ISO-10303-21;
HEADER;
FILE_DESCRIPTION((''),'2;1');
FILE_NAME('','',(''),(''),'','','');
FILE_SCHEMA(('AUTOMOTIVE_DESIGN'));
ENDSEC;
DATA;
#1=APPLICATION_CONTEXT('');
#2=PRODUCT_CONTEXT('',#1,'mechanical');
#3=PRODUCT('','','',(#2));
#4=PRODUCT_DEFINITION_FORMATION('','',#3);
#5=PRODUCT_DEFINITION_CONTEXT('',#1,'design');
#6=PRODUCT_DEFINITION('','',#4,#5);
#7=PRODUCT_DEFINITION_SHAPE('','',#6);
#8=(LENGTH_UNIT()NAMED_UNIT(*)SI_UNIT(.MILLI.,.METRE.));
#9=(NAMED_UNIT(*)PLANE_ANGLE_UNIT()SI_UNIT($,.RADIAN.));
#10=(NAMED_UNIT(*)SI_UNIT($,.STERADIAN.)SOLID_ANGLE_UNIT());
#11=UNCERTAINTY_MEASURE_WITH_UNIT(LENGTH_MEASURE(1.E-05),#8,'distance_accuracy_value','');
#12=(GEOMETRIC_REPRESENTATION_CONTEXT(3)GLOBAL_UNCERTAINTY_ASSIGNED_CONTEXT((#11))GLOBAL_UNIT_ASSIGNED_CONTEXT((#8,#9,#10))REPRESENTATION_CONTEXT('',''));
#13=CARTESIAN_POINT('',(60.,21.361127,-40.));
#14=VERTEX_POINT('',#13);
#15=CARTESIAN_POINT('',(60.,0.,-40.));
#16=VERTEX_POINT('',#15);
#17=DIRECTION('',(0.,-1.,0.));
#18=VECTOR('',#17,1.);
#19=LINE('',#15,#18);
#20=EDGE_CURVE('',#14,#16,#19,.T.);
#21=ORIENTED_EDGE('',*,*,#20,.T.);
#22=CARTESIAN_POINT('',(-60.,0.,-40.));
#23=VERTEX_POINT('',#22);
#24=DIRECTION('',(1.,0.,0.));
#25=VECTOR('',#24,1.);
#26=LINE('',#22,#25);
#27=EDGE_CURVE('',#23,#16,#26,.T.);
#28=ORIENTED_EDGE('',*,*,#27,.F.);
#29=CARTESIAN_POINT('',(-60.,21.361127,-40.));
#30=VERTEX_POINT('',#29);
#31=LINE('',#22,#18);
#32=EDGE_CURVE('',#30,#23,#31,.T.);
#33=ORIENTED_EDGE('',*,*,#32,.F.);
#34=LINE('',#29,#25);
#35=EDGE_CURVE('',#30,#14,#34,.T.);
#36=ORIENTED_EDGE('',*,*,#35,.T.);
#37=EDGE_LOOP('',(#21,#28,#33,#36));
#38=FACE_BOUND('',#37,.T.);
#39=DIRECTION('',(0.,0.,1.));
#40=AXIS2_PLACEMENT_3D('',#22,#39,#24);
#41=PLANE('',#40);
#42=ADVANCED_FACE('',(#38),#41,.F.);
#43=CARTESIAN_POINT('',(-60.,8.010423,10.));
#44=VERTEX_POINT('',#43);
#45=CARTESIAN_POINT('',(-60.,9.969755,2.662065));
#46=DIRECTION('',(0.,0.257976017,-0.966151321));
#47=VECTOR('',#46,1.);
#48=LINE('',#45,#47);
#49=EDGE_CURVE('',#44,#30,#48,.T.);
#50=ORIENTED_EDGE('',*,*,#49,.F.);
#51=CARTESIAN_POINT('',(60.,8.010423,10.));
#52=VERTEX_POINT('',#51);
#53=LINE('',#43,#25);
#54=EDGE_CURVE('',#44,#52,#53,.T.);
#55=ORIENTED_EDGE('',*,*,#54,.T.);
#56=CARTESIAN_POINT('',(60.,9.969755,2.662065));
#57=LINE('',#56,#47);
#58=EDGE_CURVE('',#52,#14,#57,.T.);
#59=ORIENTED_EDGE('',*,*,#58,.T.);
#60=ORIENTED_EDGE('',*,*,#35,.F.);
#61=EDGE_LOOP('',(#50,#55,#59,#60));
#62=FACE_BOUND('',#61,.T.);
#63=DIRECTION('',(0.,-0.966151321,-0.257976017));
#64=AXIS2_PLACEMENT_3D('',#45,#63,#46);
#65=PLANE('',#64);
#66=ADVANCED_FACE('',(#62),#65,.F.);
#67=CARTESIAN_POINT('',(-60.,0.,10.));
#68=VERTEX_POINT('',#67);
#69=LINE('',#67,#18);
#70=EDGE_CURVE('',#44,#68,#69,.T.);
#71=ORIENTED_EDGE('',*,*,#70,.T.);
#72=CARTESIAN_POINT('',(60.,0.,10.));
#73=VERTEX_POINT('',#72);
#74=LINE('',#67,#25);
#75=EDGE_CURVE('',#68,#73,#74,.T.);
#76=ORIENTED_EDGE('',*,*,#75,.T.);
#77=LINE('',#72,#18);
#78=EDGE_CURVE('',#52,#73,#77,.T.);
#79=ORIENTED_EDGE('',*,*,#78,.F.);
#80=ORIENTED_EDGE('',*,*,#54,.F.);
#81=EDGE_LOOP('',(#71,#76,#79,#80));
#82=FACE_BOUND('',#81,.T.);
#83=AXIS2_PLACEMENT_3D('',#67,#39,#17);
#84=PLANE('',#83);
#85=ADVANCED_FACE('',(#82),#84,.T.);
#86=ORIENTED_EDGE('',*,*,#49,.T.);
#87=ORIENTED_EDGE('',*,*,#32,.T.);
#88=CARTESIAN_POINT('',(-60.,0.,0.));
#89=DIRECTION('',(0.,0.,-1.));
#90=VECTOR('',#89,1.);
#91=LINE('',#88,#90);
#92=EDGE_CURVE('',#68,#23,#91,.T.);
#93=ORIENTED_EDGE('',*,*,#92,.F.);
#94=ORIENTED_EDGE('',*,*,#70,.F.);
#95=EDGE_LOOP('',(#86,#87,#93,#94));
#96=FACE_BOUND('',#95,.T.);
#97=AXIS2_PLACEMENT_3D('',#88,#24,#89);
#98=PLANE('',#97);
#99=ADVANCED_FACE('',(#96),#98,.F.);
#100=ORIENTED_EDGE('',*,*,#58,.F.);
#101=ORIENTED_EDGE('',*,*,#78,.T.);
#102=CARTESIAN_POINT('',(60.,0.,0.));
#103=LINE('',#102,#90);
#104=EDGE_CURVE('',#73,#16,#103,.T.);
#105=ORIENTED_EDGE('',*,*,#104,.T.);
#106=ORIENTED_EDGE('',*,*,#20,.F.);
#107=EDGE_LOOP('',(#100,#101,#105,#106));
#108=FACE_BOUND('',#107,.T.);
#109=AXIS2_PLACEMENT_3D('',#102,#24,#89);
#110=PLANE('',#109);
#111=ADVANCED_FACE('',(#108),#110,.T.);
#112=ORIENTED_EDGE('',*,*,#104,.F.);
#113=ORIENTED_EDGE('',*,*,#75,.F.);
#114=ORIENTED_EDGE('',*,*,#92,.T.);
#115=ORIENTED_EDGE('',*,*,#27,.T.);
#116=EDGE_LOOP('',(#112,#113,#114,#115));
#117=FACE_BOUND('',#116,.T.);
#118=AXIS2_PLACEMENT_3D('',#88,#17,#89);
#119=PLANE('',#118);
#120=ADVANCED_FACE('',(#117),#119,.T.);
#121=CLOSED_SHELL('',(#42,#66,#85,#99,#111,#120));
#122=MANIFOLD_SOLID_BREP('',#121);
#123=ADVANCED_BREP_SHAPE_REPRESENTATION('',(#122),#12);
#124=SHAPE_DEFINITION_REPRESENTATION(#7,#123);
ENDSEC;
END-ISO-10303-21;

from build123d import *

# Parameters (mm, degrees)
BOSS_EXTRUDE1_DEPTH      = 60
BOSS_EXTRUDE1_DEPTH_BACK = 60


with BuildPart() as part:
    # Sketch1 → Boss-Extrude1 (new, two sides: drawn at the far end of the back side and taken through both)
    with BuildSketch(Plane(origin=(0, 0, 0), x_dir=(0, 0, -1), z_dir=(1, 0, 0)).offset(-BOSS_EXTRUDE1_DEPTH_BACK)):
        Polygon((-10, 8.010422752), (-10, 0), (40, 0), (40, 21.361127338), align=None)
    extrude(amount=BOSS_EXTRUDE1_DEPTH + BOSS_EXTRUDE1_DEPTH_BACK)


solid = part.part
